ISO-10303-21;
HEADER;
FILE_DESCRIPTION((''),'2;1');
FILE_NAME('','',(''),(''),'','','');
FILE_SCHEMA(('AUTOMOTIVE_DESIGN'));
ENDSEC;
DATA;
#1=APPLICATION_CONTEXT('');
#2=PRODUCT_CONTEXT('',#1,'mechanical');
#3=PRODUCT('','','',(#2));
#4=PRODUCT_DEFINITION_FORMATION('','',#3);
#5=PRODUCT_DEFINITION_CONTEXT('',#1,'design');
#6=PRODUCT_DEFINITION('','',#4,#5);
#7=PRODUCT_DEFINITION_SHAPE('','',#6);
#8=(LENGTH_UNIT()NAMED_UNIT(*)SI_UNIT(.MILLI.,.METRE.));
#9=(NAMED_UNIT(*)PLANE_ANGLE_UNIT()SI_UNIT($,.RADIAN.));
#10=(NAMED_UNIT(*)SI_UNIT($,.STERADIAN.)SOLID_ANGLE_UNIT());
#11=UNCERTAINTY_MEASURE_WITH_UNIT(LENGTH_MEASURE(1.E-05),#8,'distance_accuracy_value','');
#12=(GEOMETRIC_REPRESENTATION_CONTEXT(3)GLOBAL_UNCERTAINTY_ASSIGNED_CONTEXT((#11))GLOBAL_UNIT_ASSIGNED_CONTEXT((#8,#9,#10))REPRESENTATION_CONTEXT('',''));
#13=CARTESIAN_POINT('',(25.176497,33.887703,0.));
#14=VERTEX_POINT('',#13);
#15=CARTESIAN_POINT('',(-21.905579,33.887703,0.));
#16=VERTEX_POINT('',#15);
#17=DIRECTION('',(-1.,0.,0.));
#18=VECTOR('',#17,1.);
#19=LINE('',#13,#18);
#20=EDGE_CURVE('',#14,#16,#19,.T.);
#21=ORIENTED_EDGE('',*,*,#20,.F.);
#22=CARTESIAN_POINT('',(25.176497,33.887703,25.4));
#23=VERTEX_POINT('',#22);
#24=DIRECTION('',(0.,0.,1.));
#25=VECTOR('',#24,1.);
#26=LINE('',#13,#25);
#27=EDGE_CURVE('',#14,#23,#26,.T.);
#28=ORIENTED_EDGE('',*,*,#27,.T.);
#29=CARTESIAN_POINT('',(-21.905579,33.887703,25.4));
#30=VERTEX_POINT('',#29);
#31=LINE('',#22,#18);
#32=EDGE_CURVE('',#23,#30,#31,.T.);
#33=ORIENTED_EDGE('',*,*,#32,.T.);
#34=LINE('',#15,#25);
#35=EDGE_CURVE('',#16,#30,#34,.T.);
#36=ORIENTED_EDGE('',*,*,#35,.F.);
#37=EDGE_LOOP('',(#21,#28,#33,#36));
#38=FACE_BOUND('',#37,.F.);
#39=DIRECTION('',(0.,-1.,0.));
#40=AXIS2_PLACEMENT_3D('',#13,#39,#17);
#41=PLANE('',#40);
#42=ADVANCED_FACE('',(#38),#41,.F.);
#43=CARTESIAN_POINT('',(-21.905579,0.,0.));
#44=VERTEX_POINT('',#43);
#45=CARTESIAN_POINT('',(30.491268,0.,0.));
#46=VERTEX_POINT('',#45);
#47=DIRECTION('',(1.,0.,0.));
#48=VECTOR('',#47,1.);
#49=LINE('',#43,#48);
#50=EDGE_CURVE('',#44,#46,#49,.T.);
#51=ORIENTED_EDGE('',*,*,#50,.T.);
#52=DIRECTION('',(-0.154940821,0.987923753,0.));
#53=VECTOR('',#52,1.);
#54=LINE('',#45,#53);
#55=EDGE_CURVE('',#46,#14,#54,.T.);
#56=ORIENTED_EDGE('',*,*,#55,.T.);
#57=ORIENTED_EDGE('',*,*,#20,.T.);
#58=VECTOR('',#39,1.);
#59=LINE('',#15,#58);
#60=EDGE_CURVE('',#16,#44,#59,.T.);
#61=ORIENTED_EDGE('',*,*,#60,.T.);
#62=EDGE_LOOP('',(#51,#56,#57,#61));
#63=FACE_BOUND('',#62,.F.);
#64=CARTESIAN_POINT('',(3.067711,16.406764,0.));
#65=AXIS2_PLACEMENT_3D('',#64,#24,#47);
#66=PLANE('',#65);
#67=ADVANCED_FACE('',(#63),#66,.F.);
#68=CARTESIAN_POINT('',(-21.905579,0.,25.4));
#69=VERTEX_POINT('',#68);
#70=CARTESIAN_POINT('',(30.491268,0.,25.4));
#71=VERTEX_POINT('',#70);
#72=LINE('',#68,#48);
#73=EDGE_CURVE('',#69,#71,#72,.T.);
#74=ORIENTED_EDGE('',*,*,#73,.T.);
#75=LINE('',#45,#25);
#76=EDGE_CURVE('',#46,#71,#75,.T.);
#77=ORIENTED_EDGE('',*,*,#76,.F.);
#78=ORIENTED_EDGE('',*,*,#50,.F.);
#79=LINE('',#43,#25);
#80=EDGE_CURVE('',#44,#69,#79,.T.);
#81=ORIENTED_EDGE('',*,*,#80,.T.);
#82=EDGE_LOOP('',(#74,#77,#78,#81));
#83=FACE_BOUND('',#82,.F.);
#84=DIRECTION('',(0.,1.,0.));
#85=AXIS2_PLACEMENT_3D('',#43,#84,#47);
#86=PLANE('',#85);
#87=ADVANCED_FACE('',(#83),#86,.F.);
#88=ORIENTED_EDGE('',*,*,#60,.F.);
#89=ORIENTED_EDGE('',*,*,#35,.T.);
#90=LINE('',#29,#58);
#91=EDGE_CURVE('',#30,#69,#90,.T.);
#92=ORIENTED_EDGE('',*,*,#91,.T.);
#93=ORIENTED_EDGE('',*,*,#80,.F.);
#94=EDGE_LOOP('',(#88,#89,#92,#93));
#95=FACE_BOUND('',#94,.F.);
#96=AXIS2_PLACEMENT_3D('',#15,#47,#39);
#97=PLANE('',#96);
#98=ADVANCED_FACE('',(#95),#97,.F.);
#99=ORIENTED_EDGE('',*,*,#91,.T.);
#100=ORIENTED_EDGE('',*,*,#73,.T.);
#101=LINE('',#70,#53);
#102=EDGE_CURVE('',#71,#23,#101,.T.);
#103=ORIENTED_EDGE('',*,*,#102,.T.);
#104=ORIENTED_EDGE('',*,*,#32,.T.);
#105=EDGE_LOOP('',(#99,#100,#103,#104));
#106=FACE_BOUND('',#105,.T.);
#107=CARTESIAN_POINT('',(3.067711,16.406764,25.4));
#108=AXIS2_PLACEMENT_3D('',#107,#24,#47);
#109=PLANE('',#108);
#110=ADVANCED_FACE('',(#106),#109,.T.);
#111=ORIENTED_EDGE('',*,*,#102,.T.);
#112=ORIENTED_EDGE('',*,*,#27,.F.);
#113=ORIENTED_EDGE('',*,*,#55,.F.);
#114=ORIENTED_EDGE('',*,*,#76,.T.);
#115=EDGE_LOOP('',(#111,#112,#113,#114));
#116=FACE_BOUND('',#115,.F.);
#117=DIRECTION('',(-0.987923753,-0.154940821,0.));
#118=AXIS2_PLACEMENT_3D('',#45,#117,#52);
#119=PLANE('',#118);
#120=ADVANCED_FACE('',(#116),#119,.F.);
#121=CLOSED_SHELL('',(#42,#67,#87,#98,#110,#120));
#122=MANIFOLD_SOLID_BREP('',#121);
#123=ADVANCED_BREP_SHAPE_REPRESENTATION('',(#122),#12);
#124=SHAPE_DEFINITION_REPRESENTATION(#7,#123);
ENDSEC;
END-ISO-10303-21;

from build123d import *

# Parameters (mm, degrees)
F1_DEPTH = 25.4
F3_DEPTH = 25.4


with BuildPart() as f1:
    # F0 (on Top) → F1 (new body)
    with BuildSketch(Plane.XY):
        Polygon((25.176497, 33.887703), (-21.905579, 33.887703), (-21.905579, 0), (30.491268, 0), align=None)
    extrude(amount=F1_DEPTH)

    # F2 (on face) → F3 (join)
    with BuildSketch(Plane.XY.offset(25.4)):
        Polygon((6.103317, 9.773111), (12.124575, 20.296989), (6.021258, 30.773491), (-6.103317, 30.726114), (-12.124575, 20.202236), (-6.021258, 9.725734), align=None)
    extrude(amount=-F3_DEPTH)


solid = f1.part
